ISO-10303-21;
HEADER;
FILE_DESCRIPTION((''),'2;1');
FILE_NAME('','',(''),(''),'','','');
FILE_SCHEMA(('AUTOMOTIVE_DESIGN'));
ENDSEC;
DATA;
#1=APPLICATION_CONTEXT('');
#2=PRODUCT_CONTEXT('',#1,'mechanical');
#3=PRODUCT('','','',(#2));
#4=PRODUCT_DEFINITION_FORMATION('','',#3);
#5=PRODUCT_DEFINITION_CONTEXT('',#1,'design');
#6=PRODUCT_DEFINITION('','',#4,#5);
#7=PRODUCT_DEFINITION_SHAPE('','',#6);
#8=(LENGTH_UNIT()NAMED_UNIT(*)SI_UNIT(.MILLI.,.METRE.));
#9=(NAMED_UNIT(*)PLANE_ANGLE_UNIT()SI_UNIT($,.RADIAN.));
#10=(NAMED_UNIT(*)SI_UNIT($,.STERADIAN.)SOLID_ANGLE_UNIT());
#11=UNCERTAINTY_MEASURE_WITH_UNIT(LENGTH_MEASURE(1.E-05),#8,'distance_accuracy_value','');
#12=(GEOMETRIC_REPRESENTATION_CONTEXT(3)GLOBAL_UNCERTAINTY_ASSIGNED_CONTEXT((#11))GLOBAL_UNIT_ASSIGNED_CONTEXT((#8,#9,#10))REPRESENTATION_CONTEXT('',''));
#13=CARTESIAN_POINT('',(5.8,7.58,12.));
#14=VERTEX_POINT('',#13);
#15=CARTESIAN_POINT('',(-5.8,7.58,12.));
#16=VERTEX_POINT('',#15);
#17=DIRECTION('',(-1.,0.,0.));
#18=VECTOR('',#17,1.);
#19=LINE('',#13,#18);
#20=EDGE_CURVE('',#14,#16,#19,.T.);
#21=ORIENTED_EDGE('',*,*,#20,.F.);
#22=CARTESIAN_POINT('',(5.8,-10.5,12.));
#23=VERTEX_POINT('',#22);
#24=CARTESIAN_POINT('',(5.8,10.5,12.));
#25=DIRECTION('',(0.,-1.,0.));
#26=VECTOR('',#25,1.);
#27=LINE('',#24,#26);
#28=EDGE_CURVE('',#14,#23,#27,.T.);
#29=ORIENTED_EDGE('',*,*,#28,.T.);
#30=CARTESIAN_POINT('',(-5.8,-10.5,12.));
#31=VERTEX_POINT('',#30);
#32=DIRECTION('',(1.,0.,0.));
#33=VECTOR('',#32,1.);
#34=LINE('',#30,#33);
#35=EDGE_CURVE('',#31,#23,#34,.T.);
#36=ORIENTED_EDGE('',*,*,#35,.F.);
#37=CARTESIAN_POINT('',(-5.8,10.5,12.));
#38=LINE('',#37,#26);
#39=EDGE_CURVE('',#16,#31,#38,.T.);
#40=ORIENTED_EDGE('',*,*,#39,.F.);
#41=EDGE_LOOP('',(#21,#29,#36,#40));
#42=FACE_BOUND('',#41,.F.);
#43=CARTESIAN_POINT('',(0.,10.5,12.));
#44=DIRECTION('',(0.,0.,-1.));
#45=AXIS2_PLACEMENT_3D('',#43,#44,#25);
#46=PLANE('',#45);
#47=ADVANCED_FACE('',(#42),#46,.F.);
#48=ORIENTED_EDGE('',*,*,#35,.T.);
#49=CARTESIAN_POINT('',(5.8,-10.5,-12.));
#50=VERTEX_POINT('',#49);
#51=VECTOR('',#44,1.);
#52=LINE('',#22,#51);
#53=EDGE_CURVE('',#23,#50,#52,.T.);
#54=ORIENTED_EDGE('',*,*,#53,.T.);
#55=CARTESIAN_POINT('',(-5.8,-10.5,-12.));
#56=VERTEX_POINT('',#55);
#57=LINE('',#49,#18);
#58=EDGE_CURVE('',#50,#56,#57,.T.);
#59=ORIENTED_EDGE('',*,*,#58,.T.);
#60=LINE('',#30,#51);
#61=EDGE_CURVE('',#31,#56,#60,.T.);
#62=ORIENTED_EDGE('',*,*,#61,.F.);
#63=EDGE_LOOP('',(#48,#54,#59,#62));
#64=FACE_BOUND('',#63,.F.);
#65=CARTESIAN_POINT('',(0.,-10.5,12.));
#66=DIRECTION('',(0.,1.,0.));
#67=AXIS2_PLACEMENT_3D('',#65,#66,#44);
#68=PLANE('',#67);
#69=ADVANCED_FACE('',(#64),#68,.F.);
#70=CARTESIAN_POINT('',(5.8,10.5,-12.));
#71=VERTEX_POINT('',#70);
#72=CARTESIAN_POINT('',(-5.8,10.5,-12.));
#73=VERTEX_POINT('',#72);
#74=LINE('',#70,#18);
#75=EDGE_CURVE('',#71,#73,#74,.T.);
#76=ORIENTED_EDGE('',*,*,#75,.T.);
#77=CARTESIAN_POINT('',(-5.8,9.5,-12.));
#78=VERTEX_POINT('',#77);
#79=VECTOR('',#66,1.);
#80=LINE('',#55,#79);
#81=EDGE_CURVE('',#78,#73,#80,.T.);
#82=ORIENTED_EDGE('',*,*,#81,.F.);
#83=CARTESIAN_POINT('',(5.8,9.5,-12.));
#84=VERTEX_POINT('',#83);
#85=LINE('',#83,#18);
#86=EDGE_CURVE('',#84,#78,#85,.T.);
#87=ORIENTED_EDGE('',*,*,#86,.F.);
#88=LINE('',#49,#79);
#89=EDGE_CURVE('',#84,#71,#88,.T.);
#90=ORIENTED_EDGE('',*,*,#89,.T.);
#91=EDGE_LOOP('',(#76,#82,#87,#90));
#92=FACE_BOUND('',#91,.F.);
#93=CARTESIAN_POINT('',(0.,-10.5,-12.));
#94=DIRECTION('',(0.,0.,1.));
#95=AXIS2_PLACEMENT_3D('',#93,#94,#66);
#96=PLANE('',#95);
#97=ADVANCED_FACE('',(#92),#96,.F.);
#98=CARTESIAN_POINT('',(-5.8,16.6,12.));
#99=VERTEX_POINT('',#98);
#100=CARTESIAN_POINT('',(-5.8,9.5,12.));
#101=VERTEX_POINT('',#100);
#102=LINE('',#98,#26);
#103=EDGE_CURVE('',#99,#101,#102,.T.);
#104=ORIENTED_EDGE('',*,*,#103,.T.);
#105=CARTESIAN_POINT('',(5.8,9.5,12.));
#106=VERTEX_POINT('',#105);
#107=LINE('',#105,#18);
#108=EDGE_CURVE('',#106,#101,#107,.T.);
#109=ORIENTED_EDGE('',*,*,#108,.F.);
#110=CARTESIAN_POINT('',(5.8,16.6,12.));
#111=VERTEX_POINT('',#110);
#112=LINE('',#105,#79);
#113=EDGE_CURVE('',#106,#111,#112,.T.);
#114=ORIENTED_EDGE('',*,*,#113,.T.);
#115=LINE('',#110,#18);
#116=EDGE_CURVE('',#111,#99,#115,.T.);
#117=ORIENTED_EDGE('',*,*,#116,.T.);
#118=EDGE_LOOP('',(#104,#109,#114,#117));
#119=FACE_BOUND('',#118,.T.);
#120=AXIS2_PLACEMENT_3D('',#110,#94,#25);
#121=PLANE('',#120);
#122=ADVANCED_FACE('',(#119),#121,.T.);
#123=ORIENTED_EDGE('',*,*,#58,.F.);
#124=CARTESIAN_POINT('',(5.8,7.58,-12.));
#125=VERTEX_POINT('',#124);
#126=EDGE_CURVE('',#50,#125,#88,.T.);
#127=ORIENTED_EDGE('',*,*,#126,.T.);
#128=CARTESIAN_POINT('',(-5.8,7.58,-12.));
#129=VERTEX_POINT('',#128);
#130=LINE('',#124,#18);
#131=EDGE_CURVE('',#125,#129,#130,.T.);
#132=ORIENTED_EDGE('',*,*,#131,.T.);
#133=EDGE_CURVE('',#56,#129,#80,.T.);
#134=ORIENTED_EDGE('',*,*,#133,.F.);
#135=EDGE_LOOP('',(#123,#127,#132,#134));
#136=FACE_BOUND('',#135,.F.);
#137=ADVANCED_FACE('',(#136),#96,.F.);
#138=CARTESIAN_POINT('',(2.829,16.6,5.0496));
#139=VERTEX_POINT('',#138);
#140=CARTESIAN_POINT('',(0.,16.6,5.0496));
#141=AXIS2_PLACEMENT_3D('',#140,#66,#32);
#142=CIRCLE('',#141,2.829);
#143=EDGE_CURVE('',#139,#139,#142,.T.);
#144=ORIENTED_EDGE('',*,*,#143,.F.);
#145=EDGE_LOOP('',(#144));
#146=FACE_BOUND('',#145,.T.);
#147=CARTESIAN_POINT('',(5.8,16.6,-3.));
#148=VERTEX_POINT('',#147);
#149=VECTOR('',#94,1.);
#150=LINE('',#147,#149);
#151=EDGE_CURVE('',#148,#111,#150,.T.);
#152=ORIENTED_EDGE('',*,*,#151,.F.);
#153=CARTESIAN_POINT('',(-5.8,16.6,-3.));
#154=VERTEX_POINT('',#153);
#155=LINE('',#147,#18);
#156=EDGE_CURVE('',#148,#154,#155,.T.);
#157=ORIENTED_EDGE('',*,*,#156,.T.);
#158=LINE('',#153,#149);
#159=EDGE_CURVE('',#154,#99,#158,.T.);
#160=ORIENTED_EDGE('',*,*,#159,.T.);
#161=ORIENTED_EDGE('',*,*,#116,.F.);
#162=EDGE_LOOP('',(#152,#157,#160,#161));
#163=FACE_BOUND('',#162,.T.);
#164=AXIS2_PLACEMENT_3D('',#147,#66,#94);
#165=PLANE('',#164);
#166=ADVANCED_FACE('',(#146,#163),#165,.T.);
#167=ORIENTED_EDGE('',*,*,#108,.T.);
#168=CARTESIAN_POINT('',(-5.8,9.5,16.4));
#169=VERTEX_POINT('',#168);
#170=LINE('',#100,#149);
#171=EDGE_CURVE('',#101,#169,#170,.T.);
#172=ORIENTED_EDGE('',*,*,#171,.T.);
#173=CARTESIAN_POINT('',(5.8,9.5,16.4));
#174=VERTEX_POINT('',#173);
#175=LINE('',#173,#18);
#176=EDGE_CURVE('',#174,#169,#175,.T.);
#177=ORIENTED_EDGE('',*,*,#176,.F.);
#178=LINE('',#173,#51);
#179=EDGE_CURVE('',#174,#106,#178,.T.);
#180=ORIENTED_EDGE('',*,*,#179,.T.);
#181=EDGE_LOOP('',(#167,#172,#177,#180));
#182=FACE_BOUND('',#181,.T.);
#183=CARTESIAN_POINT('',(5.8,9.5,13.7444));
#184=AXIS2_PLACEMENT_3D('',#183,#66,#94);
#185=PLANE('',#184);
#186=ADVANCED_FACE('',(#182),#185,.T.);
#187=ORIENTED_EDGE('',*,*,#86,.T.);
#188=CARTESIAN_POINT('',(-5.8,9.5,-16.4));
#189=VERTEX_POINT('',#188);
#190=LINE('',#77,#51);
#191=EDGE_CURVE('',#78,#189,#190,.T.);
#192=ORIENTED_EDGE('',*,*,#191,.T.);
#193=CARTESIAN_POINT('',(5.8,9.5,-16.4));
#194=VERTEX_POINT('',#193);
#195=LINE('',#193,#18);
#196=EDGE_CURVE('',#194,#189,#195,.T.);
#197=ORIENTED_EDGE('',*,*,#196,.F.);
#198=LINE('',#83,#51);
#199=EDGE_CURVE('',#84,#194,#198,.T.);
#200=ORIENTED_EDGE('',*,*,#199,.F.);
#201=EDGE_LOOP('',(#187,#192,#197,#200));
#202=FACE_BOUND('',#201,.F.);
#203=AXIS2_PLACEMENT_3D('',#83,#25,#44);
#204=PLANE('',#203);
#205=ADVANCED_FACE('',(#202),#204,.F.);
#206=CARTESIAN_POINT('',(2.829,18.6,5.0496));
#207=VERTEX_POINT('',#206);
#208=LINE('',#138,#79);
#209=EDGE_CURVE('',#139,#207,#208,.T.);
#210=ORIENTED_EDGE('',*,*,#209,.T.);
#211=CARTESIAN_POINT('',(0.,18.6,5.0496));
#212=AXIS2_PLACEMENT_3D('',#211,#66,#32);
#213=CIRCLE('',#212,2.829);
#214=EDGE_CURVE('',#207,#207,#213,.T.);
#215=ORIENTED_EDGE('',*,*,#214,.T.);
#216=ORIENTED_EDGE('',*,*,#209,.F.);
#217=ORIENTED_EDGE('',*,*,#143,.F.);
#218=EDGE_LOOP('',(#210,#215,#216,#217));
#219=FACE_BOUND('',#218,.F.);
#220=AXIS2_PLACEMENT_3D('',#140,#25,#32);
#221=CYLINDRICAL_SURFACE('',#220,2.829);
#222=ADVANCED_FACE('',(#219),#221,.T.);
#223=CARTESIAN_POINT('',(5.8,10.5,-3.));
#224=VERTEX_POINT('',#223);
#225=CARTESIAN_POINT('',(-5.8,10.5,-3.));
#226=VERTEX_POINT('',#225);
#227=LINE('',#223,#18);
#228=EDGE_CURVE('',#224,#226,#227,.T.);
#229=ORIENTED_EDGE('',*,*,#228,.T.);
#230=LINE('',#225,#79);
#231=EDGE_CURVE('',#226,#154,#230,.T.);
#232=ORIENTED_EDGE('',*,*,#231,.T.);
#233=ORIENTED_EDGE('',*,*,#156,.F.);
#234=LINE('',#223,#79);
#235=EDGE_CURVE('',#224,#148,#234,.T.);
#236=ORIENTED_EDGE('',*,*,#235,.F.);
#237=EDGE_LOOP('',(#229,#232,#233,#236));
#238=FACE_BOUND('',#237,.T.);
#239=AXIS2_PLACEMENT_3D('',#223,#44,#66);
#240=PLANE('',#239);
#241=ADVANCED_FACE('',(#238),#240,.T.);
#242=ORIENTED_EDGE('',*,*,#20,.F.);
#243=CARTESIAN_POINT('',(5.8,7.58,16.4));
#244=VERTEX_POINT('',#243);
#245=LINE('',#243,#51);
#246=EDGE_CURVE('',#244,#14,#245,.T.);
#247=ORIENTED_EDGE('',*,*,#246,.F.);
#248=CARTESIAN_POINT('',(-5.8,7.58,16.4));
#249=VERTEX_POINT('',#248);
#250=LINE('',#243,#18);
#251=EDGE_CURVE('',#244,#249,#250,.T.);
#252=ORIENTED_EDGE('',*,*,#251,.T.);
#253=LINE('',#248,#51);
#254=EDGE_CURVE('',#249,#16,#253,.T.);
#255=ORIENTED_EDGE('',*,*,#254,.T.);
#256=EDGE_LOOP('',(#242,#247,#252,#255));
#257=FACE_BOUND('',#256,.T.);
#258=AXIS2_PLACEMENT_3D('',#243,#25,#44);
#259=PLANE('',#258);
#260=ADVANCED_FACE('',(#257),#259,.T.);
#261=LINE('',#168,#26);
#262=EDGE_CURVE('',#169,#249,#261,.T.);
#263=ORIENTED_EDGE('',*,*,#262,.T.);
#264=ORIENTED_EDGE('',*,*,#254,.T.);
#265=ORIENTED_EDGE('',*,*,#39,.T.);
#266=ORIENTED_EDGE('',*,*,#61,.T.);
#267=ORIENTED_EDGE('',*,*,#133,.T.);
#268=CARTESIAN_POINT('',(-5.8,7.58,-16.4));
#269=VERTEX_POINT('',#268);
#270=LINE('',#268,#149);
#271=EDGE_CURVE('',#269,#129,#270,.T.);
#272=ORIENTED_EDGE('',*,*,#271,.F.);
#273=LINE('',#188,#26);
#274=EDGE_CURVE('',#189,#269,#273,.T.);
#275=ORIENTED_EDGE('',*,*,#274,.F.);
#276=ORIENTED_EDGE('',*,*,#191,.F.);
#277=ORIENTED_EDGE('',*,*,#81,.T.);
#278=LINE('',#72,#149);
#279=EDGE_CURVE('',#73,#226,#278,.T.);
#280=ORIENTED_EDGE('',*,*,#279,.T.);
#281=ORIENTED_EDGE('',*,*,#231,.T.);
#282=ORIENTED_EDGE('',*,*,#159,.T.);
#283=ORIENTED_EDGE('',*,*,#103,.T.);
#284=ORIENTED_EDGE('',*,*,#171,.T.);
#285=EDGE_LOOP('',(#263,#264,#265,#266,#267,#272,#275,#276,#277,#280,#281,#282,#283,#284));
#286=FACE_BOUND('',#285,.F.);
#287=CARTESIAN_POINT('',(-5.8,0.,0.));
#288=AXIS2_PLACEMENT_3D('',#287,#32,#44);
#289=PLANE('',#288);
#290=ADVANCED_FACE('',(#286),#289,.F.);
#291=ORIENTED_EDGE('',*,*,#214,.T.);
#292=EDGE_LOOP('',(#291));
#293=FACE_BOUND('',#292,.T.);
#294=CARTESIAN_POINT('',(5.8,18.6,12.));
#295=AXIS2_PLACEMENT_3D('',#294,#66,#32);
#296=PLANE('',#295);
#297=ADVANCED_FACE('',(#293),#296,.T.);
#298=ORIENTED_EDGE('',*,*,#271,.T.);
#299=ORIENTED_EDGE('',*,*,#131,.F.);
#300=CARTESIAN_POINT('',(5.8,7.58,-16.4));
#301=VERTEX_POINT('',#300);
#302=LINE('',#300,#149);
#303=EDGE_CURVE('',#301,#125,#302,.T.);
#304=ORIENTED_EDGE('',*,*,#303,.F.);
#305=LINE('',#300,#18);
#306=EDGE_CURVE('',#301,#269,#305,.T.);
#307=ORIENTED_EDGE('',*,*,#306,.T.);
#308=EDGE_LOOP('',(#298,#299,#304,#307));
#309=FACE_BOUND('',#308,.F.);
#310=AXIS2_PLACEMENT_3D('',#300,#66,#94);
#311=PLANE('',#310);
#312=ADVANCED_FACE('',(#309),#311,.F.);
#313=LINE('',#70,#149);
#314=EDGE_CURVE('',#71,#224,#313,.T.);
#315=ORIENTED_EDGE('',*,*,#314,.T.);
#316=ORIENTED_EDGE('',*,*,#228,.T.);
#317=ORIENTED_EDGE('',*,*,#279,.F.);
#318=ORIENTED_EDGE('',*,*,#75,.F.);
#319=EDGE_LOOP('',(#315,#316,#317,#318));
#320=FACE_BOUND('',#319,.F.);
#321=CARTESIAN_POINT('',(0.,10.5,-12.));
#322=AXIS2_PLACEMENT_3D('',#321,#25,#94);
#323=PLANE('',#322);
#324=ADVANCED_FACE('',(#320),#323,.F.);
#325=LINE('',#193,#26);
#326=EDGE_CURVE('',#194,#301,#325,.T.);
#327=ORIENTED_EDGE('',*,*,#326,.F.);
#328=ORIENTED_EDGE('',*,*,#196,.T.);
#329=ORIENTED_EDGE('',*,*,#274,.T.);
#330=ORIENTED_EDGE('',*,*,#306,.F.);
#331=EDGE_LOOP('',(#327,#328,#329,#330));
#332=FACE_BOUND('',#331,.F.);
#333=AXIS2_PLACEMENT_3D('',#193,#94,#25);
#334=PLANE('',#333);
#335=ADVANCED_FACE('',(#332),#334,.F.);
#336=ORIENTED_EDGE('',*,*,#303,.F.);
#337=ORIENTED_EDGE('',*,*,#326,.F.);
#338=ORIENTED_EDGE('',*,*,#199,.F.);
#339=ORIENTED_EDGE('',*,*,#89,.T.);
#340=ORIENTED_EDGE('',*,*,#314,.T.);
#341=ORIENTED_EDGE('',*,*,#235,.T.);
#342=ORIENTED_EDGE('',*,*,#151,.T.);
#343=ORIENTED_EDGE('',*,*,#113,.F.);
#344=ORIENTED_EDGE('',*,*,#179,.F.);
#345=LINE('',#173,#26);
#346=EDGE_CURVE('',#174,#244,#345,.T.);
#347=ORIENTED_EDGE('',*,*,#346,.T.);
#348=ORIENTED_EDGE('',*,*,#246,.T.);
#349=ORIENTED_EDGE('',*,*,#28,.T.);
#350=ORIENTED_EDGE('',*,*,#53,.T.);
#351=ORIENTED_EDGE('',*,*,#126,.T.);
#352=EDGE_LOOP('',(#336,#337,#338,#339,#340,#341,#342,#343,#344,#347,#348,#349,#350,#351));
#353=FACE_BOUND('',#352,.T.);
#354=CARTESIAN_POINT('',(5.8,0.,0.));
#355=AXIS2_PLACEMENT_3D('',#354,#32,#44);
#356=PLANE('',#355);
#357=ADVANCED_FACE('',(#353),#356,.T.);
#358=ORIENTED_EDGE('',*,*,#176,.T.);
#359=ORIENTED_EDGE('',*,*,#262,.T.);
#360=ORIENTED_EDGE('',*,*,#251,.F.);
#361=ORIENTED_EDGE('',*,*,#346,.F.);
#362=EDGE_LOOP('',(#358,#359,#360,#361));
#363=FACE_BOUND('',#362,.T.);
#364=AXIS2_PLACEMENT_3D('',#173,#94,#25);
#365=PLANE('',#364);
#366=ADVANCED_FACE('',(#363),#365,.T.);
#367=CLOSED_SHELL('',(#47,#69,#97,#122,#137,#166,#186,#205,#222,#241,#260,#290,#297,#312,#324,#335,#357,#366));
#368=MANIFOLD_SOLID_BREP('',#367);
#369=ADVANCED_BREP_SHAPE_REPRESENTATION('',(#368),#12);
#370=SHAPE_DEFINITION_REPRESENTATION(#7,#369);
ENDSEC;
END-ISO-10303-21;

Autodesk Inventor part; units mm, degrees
ref_plane "YZ Plane" through (0, 0, 0) normal (1, 0, 0) x (0, 1, 0)
ref_plane "XZ Plane" through (0, 0, 0) normal (0, 1, 0) x (-1, 0, 0)
ref_plane "XY Plane" through (0, 0, 0) normal (0, 0, 1) x (1, 0, 0)
sketch "Sketch1" plane through (0, 0, 0) normal (1, 0, 0) x (0, 1, 0)
  line L0 (10.5, 12) -> (-10.5, 12)
  line L1 (-10.5, 12) -> (-10.5, -12)
  line L2 (-10.5, -12) -> (10.5, -12)
  line L3 (10.5, -12) -> (10.5, 12)
  line L4 (10.5, 12) -> (-10.5, -12) construction
  line L5 (-10.5, 12) -> (10.5, -12) construction
  point P0 (0, 0)
  dimension "d0" = 21
  dimension "d1" = 24
extrude "Extrusion1" add sketch "Sketch1" along normal mid plane 11.6
sketch "Sketch2" plane through (5.8, 0, 0) normal (1, 0, 0) x (0, 0, -1)
  line L0 (-12, 9.5) -> (-16.4, 9.5)
  line L1 (-16.4, 9.5) -> (-16.4, 7.58)
  line L2 (-16.4, 7.58) -> (-12, 7.58)
  line L3 (-12, 7.58) -> (-12, 9.5)
  line L4 (-12, -10.5) -> (12, -10.5) projected
  line L5 (0, -10.5) -> (0, 10.5)
  line L6 (12, 9.5) -> (16.4, 9.5)
  line L7 (16.4, 9.5) -> (16.4, 7.58)
  line L8 (16.4, 7.58) -> (12, 7.58)
  line L9 (12, 7.58) -> (12, 9.5)
  line L10 (-12, 9.5) -> (-13.7444, 9.5)
  point P0 (0, 0)
  point P1 (-12, 10.5)
  dimension "d4" = 4.4
  dimension "d5" = 1.92
  dimension "d8" = 1
extrude "Extrusion2" add sketch "Sketch2" against normal up to surface (11.6 mm away)
sketch "Sketch3" plane through (5.8, 0, 0) normal (1, 0, 0) x (0, 0, -1)
  line L0 (-12, 10.5) -> (3, 10.5)
  line L1 (3, 10.5) -> (3, 16.6)
  line L2 (3, 16.6) -> (-12, 16.6)
  line L3 (-12, 16.6) -> (-12, 10.5)
  line L4 (12, 10.5) -> (-12, 10.5) projected
  point P0 (0, 0)
  dimension "d9" = 15
  dimension "d10" = 6.1
extrude "Extrusion3" add sketch "Sketch3" against normal up to surface (11.6 mm away)
sketch "Sketch4" plane through (5.8, 16.6, 12) normal (0, 1, 0) x (1, 0, 0)
  circle A0 centre (-5.8, 6.9504) radius 2.829
  point P0 (-5.8, 12)
extrude "Extrusion4" add sketch "Sketch4" along normal blind 2
properties part number "servoMotor"
